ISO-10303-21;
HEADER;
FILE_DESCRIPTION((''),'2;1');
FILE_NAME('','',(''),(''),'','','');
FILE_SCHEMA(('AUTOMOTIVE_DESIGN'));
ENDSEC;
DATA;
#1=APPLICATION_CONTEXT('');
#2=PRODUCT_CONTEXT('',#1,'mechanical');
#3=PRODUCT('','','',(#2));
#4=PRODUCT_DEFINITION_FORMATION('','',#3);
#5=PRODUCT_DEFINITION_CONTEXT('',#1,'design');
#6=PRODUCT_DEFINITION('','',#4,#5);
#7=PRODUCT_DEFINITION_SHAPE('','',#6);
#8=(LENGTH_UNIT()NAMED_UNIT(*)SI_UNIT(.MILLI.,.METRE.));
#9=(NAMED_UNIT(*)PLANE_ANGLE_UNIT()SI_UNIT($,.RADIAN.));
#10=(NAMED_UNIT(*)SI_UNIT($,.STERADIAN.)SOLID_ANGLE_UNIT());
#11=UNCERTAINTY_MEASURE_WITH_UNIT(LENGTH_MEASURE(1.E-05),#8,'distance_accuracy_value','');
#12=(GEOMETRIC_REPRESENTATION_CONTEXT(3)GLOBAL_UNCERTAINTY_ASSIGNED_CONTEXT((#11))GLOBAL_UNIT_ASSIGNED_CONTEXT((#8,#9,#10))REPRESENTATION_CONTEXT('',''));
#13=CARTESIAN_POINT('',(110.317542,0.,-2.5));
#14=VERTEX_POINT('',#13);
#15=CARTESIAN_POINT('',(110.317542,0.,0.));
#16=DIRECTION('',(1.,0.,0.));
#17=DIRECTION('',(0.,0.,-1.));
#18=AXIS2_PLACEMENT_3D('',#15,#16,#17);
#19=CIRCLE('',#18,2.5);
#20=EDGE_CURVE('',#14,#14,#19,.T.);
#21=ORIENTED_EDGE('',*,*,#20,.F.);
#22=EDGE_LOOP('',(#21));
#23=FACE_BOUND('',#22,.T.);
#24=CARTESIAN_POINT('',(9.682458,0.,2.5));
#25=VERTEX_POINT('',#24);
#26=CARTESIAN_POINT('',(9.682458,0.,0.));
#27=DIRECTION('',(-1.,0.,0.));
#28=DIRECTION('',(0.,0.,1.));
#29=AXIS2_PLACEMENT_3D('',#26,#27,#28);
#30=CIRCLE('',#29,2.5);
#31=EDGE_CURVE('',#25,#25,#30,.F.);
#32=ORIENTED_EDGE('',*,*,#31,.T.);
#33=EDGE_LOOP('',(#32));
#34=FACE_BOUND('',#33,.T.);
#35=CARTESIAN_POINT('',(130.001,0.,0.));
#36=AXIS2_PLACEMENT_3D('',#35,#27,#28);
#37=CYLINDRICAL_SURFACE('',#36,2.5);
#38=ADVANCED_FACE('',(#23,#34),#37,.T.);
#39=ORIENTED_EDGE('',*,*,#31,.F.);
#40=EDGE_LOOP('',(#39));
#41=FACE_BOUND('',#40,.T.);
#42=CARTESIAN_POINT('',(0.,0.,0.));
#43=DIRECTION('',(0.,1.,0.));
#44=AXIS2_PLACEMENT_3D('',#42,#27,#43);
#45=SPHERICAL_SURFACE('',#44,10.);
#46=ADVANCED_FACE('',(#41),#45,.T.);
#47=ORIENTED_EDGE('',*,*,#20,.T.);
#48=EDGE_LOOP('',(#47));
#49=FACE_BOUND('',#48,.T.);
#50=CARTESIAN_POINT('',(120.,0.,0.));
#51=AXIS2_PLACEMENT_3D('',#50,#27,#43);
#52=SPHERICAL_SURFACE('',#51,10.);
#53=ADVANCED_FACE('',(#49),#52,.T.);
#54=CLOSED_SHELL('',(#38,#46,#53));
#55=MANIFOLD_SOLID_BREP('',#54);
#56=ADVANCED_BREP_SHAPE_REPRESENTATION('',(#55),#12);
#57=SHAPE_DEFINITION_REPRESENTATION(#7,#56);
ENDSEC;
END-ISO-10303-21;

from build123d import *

# Parameters (mm, degrees)
R_P_TITION_LIN_AIRE1_COUNT = 2
R_P_TITION_LIN_AIRE1_PITCH = 120
BOSS_EXTRU_1_REACH         = 132.767
BOSS_EXTRU_1_END_RADIUS    = 10
ESQUISSE2_R                = 2.5


with BuildPart() as part:
    # Esquisse1 → Révolution3 (revolve)
    with BuildSketch(Plane.XY):
        with BuildLine():
            Line((-10, 0), (10, 0))
            ThreePointArc((10, 0), (0, 10), (-10, 0))
        make_face()
    revolve(axis=Axis((-9.638277329, 0, 0), (1, 0, 0)))


with BuildPart() as r_p_tition_lin_aire1_1:
    # Répétition linéaire1: pattern copy
    add(part.part.moved(Location(Vector(1, 0, 0) * (1 * R_P_TITION_LIN_AIRE1_PITCH))))


with BuildPart() as part_1:
    add(part.part)

    add(r_p_tition_lin_aire1_1.part)  # Boss.-Extru.1 merges Répétition linéaire1_1
    # Boss.-Extru.1: up to this sphere (the profile starts outside it)
    boss_extru_1_end = Location((120, 0, 0)) * Sphere(BOSS_EXTRU_1_END_RADIUS, mode=Mode.PRIVATE)
    # Esquisse2 → Boss.-Extru.1 (add, up to the surface)
    with BuildSketch(Plane(origin=(0, 0, 0), x_dir=(0, 0, -1), z_dir=(1, 0, 0)), mode=Mode.PRIVATE) as boss_extru_1_sk1:
        with Locations(Location((0, 0, 0), (0, 0, 180))):
            Circle(ESQUISSE2_R)
    boss_extru_1_tool1 = extrude(boss_extru_1_sk1.sketch, amount=BOSS_EXTRU_1_REACH, mode=Mode.PRIVATE) - boss_extru_1_end
    add(boss_extru_1_tool1.solids().sort_by_distance((0, 0, 0))[0])


solid = part_1.part
